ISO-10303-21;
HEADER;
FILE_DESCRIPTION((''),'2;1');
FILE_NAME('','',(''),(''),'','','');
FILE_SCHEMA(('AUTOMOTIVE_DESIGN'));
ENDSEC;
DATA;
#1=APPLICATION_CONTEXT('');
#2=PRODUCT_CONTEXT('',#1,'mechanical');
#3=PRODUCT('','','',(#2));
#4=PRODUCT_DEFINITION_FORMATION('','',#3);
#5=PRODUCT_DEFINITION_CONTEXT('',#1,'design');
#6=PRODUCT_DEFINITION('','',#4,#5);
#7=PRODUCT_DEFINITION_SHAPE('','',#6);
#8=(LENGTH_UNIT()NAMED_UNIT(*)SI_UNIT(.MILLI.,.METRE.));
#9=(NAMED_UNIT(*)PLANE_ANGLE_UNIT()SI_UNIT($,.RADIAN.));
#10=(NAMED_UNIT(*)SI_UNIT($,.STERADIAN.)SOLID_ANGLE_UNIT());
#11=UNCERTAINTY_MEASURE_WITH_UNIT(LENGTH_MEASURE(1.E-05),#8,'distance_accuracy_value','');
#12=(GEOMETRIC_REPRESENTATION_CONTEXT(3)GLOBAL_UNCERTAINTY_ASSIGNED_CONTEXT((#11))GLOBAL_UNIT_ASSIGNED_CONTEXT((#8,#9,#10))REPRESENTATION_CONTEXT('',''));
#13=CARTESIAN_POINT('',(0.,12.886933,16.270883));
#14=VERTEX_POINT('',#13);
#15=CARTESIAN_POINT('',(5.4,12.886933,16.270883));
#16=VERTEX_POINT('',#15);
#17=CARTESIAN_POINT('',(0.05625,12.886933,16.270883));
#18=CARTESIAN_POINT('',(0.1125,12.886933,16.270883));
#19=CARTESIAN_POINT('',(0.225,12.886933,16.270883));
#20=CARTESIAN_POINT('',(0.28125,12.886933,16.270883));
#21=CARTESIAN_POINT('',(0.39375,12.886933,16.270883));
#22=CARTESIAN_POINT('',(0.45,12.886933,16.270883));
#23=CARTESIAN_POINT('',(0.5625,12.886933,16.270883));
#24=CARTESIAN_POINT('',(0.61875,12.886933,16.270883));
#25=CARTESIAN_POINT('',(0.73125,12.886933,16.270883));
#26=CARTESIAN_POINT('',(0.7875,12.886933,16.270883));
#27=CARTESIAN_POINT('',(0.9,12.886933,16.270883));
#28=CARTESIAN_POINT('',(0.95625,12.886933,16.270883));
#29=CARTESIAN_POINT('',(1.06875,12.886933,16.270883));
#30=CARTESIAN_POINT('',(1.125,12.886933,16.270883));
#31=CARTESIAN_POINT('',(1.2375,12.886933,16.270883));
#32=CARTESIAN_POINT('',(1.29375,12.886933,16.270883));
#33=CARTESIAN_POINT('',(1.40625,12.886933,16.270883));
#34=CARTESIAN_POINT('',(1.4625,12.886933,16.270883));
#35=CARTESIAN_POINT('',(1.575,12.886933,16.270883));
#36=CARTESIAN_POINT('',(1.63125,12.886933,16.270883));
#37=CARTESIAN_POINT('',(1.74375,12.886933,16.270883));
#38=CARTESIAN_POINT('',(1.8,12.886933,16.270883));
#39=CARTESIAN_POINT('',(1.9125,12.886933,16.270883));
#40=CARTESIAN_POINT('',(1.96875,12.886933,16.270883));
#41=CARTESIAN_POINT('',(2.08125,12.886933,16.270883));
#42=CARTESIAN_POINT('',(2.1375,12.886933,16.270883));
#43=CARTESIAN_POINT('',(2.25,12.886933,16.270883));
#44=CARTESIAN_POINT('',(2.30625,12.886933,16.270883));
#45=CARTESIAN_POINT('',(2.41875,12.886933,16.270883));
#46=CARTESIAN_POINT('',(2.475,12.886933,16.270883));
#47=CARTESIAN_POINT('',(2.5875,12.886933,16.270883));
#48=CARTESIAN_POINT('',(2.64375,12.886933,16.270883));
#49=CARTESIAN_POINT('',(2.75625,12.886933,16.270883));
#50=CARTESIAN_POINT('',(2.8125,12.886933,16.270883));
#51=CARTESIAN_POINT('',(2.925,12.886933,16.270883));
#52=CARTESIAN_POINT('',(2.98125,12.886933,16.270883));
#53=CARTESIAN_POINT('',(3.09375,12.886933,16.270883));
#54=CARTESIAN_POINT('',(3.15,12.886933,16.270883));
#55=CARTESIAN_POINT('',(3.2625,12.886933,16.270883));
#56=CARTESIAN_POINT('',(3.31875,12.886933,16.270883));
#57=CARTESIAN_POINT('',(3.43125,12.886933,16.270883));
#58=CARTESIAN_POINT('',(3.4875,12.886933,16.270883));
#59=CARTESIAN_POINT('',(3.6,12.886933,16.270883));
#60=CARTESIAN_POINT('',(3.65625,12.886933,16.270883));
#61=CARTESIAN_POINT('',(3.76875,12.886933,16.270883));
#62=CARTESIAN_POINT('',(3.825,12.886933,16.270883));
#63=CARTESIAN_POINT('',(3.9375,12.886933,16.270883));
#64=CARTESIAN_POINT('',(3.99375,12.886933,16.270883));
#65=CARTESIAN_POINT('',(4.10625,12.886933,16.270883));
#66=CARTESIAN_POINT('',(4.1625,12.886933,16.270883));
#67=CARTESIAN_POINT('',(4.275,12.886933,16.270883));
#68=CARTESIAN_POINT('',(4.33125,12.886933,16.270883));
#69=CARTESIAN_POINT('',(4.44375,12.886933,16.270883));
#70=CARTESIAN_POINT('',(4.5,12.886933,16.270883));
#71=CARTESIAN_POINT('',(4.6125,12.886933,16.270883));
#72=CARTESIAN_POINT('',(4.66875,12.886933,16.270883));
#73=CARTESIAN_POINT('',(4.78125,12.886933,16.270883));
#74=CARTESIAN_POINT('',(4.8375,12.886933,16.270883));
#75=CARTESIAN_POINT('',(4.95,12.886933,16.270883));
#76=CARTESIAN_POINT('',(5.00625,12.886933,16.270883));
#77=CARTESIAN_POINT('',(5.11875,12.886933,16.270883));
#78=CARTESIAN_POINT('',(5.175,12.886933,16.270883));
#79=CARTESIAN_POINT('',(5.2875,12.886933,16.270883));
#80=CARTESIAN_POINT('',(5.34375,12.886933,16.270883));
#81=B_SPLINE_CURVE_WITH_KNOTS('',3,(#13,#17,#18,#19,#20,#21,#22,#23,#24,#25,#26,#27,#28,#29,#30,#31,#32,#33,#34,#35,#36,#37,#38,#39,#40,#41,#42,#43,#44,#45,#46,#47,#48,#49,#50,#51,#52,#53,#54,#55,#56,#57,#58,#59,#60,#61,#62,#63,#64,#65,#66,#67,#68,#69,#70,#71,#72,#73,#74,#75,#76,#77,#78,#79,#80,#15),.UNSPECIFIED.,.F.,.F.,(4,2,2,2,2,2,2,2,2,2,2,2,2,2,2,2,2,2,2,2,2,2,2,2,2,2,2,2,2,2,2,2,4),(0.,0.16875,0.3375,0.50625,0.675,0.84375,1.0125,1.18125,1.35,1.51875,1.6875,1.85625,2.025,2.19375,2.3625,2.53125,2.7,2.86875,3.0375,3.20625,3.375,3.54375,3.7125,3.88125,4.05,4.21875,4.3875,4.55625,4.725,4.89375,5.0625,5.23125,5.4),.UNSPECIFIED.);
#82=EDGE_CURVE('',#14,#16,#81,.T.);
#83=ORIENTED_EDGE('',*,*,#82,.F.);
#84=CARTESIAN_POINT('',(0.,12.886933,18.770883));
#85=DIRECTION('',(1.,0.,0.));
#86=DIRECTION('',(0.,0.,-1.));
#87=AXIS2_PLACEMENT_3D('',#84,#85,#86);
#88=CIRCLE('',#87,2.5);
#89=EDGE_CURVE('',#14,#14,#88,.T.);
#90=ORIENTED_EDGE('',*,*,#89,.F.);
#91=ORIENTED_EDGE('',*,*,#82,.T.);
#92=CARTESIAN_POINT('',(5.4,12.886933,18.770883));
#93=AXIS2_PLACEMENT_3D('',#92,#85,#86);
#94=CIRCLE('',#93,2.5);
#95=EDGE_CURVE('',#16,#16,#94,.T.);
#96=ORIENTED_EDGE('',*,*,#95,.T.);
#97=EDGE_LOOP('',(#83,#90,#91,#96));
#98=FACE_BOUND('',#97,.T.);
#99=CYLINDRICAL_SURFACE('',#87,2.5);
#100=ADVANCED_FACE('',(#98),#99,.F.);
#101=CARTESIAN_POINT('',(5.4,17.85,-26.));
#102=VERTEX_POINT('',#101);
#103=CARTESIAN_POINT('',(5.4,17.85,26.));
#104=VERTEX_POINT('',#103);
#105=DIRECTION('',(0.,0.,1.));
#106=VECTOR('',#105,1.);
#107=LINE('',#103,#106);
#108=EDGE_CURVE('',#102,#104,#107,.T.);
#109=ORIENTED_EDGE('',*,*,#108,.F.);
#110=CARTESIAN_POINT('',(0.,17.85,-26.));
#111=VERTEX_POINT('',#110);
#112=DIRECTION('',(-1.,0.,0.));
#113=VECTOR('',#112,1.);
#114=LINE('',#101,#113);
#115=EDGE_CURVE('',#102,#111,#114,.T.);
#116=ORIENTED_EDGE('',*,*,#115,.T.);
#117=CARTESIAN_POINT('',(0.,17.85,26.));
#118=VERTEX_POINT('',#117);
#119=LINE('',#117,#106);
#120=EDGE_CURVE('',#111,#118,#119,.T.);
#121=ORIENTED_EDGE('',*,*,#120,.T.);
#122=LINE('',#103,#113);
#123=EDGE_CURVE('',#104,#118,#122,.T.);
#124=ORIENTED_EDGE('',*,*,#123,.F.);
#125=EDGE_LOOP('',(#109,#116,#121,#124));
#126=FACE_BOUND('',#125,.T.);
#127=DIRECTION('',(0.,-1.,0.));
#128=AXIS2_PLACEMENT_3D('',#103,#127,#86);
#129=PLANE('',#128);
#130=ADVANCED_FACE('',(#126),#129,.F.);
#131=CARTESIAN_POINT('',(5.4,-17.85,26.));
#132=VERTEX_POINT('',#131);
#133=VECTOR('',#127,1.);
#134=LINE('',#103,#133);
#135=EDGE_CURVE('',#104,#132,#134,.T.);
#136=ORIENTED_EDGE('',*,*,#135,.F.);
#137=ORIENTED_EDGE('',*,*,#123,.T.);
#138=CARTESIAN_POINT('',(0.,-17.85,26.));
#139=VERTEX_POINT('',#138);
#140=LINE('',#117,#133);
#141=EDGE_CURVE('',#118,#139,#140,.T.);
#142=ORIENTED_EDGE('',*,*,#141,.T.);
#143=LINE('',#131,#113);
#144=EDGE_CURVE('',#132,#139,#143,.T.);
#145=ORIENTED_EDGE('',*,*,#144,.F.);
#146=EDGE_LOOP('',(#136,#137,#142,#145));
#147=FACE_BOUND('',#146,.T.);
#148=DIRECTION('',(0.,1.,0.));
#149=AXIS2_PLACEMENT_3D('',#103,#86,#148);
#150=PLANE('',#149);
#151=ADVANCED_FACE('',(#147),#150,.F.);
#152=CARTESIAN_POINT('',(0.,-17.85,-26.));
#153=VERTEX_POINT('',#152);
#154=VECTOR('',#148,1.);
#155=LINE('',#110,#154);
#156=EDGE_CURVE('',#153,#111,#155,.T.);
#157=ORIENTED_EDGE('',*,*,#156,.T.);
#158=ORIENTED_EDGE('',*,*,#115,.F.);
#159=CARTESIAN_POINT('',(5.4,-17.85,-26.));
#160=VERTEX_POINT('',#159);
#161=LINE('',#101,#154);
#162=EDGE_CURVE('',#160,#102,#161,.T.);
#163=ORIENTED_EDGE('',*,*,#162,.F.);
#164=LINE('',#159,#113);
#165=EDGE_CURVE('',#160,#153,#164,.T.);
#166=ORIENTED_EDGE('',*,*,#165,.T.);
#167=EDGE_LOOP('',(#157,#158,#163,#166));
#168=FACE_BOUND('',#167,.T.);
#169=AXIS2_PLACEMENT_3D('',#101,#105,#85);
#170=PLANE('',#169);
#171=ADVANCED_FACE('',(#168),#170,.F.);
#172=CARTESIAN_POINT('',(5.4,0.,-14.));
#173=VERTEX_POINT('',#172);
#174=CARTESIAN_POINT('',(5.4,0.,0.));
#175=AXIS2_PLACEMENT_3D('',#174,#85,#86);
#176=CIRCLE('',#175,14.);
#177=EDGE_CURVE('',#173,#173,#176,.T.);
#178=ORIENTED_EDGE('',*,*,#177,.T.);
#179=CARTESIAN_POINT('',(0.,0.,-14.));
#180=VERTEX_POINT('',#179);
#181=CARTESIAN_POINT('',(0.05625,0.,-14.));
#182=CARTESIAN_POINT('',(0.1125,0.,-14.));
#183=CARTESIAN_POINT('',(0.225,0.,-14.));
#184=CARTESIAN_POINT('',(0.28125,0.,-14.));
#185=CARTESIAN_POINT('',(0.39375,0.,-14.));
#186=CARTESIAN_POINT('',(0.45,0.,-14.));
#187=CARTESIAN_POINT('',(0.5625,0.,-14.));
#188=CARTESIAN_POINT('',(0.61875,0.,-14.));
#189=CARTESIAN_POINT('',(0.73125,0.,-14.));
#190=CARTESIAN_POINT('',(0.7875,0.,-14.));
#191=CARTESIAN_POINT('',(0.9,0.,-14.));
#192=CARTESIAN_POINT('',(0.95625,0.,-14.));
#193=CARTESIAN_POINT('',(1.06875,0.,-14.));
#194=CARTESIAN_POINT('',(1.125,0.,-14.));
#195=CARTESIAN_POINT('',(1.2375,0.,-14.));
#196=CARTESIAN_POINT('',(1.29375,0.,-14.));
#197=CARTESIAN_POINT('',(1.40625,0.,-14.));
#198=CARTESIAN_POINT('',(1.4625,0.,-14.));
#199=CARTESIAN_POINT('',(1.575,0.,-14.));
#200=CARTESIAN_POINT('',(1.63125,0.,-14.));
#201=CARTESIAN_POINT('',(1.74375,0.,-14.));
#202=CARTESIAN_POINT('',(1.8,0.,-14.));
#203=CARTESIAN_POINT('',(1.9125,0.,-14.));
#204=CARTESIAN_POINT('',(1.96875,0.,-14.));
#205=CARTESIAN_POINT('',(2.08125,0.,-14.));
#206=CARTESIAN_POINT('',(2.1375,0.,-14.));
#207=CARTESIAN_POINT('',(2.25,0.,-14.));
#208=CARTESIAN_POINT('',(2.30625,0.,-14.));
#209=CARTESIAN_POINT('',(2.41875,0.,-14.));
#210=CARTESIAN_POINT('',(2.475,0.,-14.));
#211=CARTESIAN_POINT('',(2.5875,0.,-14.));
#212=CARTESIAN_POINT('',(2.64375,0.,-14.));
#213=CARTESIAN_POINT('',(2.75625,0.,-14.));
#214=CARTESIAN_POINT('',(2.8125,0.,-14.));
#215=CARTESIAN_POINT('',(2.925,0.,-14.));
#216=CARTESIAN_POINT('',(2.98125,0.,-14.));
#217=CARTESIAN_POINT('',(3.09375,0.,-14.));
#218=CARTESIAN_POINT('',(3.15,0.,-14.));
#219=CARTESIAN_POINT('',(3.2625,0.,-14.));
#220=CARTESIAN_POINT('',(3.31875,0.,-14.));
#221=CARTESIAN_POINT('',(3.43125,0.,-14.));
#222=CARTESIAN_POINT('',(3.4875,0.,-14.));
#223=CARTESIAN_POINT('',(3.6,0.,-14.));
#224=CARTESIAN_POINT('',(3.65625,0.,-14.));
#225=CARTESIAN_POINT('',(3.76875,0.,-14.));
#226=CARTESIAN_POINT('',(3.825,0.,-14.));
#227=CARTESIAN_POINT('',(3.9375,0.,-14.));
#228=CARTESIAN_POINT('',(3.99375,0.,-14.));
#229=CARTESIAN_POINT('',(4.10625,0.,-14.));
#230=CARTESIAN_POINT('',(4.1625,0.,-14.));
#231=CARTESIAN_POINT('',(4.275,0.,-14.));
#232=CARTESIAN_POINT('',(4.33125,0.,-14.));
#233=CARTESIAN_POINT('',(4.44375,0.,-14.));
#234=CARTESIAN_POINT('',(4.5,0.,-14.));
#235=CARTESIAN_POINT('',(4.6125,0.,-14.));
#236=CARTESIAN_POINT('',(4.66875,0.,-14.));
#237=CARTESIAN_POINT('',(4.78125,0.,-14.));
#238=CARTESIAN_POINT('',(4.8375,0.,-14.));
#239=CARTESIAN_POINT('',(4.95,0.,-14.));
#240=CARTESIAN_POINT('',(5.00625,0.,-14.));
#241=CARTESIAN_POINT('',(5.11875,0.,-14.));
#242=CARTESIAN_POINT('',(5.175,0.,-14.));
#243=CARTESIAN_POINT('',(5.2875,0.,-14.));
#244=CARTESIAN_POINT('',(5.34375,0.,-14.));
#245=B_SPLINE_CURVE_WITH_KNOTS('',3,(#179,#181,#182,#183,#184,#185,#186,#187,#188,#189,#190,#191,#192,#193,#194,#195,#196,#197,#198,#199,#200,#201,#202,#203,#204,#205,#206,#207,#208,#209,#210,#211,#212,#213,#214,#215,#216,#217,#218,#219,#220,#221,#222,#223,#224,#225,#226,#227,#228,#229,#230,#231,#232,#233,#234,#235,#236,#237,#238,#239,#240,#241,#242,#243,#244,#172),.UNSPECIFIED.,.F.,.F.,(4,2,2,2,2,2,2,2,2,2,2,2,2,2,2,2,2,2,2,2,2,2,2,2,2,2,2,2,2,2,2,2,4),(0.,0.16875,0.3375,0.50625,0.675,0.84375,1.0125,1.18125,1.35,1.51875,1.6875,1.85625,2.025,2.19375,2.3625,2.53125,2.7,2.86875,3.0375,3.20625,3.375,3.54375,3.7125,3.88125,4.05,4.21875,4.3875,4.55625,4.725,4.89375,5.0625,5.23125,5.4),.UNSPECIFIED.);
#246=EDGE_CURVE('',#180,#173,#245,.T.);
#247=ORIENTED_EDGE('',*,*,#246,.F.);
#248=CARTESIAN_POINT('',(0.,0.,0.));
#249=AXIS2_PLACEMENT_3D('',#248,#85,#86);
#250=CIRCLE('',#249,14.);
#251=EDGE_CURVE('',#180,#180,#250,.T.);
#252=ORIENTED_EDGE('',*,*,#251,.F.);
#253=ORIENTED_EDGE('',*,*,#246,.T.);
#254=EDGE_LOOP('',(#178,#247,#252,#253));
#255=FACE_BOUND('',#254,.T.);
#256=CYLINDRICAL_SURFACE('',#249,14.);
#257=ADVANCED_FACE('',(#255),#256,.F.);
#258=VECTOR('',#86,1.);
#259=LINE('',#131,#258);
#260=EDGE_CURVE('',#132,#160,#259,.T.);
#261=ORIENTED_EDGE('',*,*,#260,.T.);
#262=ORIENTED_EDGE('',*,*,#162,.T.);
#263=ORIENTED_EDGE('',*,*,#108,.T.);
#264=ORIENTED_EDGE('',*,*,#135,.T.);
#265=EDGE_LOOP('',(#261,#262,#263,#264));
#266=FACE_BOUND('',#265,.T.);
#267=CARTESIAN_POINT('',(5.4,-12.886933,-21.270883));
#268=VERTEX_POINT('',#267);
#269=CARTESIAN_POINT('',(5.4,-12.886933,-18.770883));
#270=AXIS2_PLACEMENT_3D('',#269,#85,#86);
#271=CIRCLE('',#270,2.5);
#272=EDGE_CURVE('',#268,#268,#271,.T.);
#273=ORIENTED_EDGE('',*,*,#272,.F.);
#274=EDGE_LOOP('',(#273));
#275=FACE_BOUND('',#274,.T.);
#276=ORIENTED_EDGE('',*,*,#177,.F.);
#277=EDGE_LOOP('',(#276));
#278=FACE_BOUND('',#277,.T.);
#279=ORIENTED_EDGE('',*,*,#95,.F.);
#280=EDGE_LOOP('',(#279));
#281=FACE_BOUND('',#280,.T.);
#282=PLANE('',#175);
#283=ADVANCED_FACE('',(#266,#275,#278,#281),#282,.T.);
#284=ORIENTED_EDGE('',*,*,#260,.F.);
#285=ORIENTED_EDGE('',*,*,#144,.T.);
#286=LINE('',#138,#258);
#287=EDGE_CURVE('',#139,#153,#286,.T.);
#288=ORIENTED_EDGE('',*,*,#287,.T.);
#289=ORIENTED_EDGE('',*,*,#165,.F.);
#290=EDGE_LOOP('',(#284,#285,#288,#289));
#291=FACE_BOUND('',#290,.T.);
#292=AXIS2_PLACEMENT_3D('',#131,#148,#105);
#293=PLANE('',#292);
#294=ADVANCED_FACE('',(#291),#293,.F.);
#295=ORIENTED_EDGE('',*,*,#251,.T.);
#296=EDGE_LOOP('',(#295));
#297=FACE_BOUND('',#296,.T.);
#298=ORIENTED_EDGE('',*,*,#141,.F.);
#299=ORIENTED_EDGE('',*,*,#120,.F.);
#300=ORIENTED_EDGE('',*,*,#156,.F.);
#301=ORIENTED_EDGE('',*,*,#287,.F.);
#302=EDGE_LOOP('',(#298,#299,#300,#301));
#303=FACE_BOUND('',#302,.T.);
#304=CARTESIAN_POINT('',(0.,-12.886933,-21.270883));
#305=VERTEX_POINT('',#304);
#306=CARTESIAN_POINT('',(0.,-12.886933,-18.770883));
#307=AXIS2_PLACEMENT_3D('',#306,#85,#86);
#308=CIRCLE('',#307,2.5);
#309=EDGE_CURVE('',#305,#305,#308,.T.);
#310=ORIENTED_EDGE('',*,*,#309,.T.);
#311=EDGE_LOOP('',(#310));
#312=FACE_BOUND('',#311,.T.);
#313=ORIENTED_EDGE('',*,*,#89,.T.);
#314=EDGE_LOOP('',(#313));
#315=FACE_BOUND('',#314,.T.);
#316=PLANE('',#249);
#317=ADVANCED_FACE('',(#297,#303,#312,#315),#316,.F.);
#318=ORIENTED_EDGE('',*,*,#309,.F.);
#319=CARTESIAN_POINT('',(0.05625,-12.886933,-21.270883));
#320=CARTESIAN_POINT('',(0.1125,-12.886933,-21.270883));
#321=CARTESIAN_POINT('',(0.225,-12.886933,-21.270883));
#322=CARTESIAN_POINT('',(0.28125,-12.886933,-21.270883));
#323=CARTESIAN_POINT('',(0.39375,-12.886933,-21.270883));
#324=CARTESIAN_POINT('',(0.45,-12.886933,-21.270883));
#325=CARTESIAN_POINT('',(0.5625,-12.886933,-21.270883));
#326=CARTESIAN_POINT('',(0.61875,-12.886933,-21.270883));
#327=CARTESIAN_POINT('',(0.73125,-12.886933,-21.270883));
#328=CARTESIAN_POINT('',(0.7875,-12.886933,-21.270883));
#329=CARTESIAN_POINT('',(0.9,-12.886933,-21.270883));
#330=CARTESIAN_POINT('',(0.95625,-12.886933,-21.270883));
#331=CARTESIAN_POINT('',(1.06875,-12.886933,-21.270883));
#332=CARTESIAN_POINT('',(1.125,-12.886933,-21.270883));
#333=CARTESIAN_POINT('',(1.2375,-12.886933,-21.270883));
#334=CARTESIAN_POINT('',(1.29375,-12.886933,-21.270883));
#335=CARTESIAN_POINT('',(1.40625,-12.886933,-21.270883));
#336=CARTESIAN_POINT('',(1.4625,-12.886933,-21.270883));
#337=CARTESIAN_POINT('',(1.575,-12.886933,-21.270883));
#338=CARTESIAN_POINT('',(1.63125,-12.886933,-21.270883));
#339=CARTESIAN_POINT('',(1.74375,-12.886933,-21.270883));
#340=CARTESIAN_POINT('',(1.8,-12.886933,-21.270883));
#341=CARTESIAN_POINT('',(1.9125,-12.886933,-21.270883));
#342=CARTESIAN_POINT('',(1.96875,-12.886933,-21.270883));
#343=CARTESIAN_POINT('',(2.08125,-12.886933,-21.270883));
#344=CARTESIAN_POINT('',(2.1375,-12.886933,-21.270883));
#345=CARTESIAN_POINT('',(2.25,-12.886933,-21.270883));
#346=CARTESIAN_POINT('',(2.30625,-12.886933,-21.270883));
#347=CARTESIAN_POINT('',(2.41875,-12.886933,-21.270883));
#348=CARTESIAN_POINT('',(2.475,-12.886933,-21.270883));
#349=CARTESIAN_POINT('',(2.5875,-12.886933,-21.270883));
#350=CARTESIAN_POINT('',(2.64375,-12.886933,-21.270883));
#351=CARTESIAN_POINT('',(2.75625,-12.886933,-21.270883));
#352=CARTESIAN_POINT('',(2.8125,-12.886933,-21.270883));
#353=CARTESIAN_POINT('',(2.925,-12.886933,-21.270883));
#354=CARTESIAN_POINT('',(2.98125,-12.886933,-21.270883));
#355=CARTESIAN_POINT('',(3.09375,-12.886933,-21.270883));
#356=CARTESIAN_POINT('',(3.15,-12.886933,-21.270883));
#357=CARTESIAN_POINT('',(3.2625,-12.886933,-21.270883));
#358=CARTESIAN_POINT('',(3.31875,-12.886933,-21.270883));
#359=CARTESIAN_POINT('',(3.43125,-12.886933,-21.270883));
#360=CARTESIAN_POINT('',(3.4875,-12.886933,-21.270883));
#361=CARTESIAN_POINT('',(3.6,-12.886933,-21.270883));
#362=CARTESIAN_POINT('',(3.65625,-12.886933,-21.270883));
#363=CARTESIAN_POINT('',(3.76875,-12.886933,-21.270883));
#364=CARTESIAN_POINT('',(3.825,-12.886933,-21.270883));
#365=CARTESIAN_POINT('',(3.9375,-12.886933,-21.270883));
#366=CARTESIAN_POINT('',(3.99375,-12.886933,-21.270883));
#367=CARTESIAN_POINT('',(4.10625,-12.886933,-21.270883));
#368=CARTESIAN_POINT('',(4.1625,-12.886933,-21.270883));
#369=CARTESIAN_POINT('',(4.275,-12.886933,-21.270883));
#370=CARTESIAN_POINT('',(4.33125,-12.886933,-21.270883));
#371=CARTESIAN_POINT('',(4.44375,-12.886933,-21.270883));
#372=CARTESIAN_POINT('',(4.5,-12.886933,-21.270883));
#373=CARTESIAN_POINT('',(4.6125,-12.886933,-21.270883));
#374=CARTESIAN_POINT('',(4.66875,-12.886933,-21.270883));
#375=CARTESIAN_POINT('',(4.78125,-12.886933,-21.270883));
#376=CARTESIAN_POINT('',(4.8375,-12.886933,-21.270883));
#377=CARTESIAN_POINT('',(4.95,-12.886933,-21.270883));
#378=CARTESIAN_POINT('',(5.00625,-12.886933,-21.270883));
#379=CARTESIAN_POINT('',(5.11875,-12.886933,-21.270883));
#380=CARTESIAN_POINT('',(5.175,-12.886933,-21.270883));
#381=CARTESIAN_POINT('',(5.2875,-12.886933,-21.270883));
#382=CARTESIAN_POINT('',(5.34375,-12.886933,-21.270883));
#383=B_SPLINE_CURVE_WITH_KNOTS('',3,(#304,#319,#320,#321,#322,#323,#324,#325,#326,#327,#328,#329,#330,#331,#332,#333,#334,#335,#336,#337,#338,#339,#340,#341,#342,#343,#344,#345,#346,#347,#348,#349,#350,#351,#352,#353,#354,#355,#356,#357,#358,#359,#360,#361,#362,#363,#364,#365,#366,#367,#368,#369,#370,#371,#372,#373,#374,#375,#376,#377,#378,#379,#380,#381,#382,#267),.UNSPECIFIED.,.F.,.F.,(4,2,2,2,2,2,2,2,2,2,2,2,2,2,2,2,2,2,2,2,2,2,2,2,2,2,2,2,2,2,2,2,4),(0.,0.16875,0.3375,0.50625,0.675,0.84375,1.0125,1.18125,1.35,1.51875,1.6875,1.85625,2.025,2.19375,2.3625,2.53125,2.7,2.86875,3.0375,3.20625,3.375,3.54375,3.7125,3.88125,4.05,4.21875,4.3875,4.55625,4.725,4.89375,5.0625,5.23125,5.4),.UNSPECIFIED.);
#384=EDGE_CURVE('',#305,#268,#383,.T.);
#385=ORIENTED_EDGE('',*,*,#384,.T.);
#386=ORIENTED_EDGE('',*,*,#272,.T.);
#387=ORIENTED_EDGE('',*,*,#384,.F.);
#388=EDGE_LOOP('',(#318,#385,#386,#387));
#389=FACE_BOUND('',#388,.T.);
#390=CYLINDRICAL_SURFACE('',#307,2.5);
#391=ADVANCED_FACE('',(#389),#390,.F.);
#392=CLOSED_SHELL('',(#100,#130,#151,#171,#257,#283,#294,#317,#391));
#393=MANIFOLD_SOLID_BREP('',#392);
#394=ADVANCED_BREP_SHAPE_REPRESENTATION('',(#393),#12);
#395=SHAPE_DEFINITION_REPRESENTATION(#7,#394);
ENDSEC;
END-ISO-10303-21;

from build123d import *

# Parameters (mm, degrees)
CROQUIS2_W              = 52
CROQUIS2_H              = 35.7
SALIENTE_EXTRUIR1_DEPTH = 5.4
CROQUIS3_R              = 14
CROQUIS3_R_2            = 2.5
CORTAR_EXTRUIR2_DEPTH   = 5.4


with BuildPart() as part:
    # Croquis2 → Saliente-Extruir1 (new body)
    with BuildSketch(Plane(origin=(0, 0, 0), x_dir=(0, 0, -1), z_dir=(1, 0, 0))):
        Rectangle(CROQUIS2_W, CROQUIS2_H)
    extrude(amount=SALIENTE_EXTRUIR1_DEPTH)

    # Croquis3 → Cortar-Extruir2 (cut)
    with BuildSketch(Plane(origin=(5.4, 0, 0), x_dir=(0, 0, -1), z_dir=(1, 0, 0))):
        Circle(CROQUIS3_R)
        with Locations((-18.770882719, 12.886932943)):
            Circle(CROQUIS3_R_2)
        with Locations((18.770882719, -12.886932943)):
            Circle(CROQUIS3_R_2)
    extrude(amount=-CORTAR_EXTRUIR2_DEPTH, mode=Mode.SUBTRACT)


solid = part.part
